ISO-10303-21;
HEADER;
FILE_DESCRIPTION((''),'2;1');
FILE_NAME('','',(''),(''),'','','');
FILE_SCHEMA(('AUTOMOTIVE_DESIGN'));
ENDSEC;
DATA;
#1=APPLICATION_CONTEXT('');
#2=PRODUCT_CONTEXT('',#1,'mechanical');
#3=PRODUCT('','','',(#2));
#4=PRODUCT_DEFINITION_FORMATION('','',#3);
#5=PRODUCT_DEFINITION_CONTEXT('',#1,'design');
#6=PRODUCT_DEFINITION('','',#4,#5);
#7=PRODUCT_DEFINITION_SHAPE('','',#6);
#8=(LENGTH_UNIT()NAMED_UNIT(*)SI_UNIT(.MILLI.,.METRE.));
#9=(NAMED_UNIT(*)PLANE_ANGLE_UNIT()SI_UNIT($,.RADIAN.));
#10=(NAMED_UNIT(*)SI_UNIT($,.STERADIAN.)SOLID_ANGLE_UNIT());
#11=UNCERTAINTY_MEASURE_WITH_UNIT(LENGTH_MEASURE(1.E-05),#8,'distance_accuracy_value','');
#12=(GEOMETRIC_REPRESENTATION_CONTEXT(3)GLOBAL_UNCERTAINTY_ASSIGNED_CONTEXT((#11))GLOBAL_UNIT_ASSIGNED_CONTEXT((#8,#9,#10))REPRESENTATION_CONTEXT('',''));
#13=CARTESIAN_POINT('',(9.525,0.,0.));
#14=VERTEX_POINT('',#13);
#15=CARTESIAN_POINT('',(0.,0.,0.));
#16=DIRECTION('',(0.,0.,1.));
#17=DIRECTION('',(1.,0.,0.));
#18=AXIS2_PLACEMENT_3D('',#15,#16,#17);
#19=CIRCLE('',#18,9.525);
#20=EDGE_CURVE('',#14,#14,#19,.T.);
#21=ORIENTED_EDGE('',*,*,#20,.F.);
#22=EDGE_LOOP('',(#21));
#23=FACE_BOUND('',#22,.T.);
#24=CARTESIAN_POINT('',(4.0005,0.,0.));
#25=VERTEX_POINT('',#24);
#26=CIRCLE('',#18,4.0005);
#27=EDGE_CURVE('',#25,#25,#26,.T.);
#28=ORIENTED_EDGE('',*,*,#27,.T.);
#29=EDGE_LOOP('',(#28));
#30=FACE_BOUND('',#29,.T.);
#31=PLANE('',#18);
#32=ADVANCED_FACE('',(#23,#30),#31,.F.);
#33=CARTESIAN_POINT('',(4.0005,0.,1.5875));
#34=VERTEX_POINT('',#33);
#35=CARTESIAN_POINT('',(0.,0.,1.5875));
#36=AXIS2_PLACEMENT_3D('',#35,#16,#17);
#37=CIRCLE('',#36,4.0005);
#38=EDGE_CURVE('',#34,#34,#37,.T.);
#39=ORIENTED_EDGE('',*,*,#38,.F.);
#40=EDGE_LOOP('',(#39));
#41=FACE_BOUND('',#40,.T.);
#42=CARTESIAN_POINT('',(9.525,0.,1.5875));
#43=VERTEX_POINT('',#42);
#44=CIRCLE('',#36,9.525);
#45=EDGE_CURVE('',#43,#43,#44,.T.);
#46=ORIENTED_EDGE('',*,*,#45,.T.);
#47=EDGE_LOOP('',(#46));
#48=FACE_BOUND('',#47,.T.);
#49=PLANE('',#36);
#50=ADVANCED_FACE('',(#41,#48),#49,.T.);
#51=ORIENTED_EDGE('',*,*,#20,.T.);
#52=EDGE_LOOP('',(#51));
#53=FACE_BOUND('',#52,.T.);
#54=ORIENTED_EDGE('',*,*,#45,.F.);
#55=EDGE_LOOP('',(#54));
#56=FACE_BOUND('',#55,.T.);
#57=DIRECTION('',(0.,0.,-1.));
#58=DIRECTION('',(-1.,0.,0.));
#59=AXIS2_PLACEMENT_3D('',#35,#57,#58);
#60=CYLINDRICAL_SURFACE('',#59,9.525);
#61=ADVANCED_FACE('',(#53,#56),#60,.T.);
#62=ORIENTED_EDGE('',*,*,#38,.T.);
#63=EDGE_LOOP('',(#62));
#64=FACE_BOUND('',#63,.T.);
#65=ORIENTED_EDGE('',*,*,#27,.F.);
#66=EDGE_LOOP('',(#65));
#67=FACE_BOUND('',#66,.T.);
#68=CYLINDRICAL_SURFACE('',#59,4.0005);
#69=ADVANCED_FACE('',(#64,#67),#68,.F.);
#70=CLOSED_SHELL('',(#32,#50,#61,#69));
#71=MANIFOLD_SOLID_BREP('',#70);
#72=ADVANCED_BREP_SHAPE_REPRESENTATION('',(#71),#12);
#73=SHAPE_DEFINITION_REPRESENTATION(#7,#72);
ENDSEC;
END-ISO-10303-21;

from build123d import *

# Parameters (mm, degrees)
SKETCH1_R           = 9.525
SKETCH1_R_2         = 4.0005
BOSS_EXTRUDE1_DEPTH = 1.5875


with BuildPart() as part:
    # Sketch1 → Boss-Extrude1 (new body)
    with BuildSketch(Plane.XY):
        Circle(SKETCH1_R)
        Circle(SKETCH1_R_2, mode=Mode.SUBTRACT)
    extrude(amount=BOSS_EXTRUDE1_DEPTH)


solid = part.part
